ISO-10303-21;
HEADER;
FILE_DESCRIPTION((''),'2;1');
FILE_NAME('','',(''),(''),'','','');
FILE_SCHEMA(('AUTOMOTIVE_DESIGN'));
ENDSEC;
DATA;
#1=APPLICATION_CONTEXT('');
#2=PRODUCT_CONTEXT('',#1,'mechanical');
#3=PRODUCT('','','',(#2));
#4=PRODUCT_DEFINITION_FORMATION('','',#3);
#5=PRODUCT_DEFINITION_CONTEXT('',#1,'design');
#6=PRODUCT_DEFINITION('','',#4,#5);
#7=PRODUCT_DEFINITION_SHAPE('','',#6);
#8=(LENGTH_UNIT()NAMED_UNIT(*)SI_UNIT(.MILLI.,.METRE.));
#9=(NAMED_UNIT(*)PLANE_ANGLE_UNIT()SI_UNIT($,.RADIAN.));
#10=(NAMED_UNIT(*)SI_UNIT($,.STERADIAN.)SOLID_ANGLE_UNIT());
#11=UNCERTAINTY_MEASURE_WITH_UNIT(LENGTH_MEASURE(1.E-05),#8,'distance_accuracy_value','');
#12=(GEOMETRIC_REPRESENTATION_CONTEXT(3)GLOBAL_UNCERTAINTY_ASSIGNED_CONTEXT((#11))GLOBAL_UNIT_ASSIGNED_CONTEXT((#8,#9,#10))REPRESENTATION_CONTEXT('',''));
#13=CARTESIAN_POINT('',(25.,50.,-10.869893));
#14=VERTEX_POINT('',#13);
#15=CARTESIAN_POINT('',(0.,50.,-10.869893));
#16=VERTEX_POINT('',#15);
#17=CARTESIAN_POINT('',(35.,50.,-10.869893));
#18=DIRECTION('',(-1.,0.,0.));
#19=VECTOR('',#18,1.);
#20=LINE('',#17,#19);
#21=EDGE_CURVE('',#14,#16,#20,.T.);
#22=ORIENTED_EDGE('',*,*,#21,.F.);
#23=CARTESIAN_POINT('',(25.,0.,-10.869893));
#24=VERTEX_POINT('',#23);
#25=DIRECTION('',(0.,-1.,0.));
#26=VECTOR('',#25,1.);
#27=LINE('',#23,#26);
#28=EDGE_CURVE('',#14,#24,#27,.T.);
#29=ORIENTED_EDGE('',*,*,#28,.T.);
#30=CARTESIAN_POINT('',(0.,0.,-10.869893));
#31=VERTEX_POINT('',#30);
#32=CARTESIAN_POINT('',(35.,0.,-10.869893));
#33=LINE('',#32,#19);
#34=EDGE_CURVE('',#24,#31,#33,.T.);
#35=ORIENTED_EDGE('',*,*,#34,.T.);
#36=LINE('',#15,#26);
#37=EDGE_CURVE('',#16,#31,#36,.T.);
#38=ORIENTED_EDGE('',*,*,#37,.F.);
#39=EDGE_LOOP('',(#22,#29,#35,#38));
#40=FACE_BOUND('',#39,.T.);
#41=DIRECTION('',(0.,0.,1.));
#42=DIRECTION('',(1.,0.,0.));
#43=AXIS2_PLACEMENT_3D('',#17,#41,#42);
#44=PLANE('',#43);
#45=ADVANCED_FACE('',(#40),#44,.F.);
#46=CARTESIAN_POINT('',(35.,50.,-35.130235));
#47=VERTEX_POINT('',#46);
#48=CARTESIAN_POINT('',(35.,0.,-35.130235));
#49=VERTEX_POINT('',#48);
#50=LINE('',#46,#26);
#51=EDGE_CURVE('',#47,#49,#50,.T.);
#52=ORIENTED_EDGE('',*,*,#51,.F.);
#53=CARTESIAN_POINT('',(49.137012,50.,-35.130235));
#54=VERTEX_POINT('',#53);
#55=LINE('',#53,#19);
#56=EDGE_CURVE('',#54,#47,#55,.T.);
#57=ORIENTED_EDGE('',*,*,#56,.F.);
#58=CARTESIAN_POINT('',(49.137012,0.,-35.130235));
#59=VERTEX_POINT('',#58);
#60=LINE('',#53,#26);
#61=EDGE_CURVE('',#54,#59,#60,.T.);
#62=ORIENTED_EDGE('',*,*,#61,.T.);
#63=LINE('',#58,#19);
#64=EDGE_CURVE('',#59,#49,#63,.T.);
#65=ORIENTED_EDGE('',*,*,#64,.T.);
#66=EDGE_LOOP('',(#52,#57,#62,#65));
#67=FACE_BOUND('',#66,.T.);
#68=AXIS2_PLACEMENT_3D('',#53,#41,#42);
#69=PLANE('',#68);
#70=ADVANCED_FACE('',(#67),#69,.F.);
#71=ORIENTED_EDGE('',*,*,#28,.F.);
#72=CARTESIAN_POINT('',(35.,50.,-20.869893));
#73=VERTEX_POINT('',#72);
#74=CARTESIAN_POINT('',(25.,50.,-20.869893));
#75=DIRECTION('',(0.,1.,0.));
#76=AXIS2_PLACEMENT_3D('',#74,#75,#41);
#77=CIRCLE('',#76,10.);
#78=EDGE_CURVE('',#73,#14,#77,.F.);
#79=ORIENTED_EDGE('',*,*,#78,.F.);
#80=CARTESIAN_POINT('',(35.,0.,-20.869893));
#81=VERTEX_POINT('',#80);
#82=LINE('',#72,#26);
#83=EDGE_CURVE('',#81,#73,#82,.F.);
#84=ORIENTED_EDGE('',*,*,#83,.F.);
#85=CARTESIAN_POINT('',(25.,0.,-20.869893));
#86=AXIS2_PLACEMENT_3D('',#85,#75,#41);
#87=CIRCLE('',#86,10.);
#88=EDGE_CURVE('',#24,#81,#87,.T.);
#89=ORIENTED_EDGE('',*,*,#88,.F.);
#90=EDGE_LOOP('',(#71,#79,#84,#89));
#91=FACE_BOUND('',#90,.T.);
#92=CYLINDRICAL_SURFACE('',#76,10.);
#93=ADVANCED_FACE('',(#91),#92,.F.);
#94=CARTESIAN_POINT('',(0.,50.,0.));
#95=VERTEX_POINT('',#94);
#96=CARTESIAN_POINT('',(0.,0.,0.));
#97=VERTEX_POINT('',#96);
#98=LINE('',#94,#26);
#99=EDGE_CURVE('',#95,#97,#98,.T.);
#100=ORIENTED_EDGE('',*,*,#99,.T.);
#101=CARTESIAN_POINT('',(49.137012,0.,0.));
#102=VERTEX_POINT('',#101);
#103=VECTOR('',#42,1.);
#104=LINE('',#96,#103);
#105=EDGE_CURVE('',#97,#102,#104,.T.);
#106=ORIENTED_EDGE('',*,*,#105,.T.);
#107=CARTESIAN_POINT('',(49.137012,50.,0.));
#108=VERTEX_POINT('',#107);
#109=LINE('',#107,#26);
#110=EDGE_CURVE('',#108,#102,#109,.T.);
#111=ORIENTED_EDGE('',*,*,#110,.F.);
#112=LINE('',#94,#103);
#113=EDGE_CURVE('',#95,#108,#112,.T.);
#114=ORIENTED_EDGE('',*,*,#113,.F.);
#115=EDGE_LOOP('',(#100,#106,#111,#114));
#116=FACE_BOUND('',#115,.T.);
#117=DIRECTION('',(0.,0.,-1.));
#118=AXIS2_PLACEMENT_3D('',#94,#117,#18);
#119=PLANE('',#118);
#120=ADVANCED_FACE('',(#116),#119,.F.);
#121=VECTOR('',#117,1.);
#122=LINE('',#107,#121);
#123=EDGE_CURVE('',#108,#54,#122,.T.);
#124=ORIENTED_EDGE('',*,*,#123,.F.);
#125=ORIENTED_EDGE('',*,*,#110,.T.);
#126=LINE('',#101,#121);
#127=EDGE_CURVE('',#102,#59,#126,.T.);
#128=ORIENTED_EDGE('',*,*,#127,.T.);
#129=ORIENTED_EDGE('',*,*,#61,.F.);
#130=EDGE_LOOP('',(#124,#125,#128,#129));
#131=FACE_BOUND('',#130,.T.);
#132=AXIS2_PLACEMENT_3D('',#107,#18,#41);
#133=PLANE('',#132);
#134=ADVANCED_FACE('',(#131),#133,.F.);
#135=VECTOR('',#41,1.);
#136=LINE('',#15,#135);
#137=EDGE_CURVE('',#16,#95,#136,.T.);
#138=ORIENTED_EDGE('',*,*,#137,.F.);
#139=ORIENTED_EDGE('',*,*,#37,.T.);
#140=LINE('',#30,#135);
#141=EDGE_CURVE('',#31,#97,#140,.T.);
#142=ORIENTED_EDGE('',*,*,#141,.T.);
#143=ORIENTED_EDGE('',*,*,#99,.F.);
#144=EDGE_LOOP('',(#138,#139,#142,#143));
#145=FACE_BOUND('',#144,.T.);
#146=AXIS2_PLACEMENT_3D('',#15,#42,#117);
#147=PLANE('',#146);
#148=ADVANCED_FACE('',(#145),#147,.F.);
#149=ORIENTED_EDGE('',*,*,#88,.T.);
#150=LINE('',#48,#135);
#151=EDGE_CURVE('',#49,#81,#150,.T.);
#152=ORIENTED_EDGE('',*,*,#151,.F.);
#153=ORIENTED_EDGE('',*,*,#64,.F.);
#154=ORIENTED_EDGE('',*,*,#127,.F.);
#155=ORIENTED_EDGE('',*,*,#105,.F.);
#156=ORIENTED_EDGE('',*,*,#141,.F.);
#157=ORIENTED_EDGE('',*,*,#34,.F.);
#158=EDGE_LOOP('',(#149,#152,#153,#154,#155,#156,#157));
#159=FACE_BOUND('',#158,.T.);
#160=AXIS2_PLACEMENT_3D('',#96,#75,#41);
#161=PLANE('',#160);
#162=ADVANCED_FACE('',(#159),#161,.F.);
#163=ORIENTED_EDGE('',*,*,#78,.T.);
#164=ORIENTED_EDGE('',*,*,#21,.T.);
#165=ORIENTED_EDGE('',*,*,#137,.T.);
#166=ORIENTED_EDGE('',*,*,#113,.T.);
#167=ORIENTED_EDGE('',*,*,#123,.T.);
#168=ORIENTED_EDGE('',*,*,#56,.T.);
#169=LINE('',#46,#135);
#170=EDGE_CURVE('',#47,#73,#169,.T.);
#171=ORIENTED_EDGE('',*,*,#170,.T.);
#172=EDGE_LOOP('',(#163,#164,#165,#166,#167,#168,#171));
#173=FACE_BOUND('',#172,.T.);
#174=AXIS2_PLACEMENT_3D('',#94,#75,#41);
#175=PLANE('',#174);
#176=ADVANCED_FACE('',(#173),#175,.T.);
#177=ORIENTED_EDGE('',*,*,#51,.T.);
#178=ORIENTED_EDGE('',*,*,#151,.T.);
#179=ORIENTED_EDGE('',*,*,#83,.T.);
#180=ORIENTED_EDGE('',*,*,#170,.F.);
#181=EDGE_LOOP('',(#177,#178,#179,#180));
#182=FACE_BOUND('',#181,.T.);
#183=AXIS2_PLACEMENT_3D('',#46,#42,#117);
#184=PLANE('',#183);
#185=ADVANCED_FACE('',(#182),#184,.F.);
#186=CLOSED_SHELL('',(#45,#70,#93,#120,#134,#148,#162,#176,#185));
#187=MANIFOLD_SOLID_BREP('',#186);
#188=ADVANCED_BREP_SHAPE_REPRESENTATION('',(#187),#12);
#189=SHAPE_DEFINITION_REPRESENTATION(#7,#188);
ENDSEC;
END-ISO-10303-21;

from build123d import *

# Parameters (mm, degrees)
BOSS_EXTRUDE1_DEPTH = 50
VARFILLET1_R        = 10


with BuildPart() as part:
    # Sketch1 → Boss-Extrude1 (new body)
    with BuildSketch(Plane(origin=(0, 0, 0), x_dir=(1, 0, 0), z_dir=(0, 1, 0))):
        Polygon((0, 0), (49.1370117, 0), (49.1370117, 35.13023464), (35, 35.13023464), (35, 10.869893229), (0, 10.869893229), align=None)
    extrude(amount=BOSS_EXTRUDE1_DEPTH)

    # VarFillet1
    varfillet1_edges = [part.edges().sort_by_distance(p)[0] for p in [
        (35, 25, -10.869893229),
    ]]
    fillet(varfillet1_edges, radius=VARFILLET1_R)


solid = part.part
